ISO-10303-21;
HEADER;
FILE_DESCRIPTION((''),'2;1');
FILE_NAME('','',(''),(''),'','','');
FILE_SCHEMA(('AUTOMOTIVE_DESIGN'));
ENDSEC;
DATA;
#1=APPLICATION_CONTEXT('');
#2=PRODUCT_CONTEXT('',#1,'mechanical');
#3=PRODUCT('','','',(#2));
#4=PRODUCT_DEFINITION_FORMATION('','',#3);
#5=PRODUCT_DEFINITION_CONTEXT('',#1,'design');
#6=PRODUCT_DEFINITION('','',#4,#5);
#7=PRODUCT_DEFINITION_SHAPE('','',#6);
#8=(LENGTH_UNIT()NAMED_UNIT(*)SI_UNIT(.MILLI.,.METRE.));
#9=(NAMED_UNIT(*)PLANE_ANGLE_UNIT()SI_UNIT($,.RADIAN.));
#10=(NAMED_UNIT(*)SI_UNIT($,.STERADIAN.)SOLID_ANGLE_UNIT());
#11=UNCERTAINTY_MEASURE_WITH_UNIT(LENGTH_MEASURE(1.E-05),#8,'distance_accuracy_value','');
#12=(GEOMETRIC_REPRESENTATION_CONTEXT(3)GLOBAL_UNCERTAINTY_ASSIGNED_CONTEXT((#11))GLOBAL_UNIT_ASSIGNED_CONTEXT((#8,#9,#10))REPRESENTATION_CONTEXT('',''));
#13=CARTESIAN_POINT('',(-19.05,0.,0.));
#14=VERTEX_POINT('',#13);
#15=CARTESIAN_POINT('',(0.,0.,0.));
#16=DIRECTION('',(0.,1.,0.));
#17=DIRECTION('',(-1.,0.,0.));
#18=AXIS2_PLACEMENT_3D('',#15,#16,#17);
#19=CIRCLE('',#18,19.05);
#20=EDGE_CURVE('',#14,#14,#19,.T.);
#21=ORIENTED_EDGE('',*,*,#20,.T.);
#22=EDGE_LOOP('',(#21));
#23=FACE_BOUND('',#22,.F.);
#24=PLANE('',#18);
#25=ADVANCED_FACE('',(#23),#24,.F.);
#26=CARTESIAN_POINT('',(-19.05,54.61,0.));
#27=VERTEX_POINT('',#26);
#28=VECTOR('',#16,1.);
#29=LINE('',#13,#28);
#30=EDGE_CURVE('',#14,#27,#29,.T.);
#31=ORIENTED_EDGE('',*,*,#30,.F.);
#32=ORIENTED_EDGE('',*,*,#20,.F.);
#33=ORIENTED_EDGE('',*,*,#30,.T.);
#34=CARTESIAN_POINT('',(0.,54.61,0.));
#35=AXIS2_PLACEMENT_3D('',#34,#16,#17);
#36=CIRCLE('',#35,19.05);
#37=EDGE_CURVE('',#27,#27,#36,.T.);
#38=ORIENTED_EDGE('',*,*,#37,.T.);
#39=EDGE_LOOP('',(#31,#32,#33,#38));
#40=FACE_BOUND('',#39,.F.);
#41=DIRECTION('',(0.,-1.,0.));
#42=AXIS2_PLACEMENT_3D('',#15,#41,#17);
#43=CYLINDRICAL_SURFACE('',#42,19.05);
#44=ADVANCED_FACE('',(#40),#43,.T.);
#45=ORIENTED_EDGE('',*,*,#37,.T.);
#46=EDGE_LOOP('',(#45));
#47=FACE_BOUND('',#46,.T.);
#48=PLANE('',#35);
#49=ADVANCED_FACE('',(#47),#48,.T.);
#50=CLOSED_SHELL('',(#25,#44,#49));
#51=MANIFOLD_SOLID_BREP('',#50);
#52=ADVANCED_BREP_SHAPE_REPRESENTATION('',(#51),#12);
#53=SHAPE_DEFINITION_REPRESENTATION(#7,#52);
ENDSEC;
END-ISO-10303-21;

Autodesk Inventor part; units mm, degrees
ref_plane "YZ Plane" through (0, 0, 0) normal (1, 0, 0) x (0, 1, 0)
ref_plane "XZ Plane" through (0, 0, 0) normal (0, 1, 0) x (-1, 0, 0)
ref_plane "XY Plane" through (0, 0, 0) normal (0, 0, 1) x (1, 0, 0)
sketch "Sketch1" plane through (0, 0, 0) normal (0, 1, 0) x (-1, 0, 0)
  circle A0 centre (0, 0) radius 19.05
  dimension "d0" = 38.1
extrude "Extrusion1" add sketch "Sketch1" along normal blind 54.61
properties part number "Fixture_Airpot"
